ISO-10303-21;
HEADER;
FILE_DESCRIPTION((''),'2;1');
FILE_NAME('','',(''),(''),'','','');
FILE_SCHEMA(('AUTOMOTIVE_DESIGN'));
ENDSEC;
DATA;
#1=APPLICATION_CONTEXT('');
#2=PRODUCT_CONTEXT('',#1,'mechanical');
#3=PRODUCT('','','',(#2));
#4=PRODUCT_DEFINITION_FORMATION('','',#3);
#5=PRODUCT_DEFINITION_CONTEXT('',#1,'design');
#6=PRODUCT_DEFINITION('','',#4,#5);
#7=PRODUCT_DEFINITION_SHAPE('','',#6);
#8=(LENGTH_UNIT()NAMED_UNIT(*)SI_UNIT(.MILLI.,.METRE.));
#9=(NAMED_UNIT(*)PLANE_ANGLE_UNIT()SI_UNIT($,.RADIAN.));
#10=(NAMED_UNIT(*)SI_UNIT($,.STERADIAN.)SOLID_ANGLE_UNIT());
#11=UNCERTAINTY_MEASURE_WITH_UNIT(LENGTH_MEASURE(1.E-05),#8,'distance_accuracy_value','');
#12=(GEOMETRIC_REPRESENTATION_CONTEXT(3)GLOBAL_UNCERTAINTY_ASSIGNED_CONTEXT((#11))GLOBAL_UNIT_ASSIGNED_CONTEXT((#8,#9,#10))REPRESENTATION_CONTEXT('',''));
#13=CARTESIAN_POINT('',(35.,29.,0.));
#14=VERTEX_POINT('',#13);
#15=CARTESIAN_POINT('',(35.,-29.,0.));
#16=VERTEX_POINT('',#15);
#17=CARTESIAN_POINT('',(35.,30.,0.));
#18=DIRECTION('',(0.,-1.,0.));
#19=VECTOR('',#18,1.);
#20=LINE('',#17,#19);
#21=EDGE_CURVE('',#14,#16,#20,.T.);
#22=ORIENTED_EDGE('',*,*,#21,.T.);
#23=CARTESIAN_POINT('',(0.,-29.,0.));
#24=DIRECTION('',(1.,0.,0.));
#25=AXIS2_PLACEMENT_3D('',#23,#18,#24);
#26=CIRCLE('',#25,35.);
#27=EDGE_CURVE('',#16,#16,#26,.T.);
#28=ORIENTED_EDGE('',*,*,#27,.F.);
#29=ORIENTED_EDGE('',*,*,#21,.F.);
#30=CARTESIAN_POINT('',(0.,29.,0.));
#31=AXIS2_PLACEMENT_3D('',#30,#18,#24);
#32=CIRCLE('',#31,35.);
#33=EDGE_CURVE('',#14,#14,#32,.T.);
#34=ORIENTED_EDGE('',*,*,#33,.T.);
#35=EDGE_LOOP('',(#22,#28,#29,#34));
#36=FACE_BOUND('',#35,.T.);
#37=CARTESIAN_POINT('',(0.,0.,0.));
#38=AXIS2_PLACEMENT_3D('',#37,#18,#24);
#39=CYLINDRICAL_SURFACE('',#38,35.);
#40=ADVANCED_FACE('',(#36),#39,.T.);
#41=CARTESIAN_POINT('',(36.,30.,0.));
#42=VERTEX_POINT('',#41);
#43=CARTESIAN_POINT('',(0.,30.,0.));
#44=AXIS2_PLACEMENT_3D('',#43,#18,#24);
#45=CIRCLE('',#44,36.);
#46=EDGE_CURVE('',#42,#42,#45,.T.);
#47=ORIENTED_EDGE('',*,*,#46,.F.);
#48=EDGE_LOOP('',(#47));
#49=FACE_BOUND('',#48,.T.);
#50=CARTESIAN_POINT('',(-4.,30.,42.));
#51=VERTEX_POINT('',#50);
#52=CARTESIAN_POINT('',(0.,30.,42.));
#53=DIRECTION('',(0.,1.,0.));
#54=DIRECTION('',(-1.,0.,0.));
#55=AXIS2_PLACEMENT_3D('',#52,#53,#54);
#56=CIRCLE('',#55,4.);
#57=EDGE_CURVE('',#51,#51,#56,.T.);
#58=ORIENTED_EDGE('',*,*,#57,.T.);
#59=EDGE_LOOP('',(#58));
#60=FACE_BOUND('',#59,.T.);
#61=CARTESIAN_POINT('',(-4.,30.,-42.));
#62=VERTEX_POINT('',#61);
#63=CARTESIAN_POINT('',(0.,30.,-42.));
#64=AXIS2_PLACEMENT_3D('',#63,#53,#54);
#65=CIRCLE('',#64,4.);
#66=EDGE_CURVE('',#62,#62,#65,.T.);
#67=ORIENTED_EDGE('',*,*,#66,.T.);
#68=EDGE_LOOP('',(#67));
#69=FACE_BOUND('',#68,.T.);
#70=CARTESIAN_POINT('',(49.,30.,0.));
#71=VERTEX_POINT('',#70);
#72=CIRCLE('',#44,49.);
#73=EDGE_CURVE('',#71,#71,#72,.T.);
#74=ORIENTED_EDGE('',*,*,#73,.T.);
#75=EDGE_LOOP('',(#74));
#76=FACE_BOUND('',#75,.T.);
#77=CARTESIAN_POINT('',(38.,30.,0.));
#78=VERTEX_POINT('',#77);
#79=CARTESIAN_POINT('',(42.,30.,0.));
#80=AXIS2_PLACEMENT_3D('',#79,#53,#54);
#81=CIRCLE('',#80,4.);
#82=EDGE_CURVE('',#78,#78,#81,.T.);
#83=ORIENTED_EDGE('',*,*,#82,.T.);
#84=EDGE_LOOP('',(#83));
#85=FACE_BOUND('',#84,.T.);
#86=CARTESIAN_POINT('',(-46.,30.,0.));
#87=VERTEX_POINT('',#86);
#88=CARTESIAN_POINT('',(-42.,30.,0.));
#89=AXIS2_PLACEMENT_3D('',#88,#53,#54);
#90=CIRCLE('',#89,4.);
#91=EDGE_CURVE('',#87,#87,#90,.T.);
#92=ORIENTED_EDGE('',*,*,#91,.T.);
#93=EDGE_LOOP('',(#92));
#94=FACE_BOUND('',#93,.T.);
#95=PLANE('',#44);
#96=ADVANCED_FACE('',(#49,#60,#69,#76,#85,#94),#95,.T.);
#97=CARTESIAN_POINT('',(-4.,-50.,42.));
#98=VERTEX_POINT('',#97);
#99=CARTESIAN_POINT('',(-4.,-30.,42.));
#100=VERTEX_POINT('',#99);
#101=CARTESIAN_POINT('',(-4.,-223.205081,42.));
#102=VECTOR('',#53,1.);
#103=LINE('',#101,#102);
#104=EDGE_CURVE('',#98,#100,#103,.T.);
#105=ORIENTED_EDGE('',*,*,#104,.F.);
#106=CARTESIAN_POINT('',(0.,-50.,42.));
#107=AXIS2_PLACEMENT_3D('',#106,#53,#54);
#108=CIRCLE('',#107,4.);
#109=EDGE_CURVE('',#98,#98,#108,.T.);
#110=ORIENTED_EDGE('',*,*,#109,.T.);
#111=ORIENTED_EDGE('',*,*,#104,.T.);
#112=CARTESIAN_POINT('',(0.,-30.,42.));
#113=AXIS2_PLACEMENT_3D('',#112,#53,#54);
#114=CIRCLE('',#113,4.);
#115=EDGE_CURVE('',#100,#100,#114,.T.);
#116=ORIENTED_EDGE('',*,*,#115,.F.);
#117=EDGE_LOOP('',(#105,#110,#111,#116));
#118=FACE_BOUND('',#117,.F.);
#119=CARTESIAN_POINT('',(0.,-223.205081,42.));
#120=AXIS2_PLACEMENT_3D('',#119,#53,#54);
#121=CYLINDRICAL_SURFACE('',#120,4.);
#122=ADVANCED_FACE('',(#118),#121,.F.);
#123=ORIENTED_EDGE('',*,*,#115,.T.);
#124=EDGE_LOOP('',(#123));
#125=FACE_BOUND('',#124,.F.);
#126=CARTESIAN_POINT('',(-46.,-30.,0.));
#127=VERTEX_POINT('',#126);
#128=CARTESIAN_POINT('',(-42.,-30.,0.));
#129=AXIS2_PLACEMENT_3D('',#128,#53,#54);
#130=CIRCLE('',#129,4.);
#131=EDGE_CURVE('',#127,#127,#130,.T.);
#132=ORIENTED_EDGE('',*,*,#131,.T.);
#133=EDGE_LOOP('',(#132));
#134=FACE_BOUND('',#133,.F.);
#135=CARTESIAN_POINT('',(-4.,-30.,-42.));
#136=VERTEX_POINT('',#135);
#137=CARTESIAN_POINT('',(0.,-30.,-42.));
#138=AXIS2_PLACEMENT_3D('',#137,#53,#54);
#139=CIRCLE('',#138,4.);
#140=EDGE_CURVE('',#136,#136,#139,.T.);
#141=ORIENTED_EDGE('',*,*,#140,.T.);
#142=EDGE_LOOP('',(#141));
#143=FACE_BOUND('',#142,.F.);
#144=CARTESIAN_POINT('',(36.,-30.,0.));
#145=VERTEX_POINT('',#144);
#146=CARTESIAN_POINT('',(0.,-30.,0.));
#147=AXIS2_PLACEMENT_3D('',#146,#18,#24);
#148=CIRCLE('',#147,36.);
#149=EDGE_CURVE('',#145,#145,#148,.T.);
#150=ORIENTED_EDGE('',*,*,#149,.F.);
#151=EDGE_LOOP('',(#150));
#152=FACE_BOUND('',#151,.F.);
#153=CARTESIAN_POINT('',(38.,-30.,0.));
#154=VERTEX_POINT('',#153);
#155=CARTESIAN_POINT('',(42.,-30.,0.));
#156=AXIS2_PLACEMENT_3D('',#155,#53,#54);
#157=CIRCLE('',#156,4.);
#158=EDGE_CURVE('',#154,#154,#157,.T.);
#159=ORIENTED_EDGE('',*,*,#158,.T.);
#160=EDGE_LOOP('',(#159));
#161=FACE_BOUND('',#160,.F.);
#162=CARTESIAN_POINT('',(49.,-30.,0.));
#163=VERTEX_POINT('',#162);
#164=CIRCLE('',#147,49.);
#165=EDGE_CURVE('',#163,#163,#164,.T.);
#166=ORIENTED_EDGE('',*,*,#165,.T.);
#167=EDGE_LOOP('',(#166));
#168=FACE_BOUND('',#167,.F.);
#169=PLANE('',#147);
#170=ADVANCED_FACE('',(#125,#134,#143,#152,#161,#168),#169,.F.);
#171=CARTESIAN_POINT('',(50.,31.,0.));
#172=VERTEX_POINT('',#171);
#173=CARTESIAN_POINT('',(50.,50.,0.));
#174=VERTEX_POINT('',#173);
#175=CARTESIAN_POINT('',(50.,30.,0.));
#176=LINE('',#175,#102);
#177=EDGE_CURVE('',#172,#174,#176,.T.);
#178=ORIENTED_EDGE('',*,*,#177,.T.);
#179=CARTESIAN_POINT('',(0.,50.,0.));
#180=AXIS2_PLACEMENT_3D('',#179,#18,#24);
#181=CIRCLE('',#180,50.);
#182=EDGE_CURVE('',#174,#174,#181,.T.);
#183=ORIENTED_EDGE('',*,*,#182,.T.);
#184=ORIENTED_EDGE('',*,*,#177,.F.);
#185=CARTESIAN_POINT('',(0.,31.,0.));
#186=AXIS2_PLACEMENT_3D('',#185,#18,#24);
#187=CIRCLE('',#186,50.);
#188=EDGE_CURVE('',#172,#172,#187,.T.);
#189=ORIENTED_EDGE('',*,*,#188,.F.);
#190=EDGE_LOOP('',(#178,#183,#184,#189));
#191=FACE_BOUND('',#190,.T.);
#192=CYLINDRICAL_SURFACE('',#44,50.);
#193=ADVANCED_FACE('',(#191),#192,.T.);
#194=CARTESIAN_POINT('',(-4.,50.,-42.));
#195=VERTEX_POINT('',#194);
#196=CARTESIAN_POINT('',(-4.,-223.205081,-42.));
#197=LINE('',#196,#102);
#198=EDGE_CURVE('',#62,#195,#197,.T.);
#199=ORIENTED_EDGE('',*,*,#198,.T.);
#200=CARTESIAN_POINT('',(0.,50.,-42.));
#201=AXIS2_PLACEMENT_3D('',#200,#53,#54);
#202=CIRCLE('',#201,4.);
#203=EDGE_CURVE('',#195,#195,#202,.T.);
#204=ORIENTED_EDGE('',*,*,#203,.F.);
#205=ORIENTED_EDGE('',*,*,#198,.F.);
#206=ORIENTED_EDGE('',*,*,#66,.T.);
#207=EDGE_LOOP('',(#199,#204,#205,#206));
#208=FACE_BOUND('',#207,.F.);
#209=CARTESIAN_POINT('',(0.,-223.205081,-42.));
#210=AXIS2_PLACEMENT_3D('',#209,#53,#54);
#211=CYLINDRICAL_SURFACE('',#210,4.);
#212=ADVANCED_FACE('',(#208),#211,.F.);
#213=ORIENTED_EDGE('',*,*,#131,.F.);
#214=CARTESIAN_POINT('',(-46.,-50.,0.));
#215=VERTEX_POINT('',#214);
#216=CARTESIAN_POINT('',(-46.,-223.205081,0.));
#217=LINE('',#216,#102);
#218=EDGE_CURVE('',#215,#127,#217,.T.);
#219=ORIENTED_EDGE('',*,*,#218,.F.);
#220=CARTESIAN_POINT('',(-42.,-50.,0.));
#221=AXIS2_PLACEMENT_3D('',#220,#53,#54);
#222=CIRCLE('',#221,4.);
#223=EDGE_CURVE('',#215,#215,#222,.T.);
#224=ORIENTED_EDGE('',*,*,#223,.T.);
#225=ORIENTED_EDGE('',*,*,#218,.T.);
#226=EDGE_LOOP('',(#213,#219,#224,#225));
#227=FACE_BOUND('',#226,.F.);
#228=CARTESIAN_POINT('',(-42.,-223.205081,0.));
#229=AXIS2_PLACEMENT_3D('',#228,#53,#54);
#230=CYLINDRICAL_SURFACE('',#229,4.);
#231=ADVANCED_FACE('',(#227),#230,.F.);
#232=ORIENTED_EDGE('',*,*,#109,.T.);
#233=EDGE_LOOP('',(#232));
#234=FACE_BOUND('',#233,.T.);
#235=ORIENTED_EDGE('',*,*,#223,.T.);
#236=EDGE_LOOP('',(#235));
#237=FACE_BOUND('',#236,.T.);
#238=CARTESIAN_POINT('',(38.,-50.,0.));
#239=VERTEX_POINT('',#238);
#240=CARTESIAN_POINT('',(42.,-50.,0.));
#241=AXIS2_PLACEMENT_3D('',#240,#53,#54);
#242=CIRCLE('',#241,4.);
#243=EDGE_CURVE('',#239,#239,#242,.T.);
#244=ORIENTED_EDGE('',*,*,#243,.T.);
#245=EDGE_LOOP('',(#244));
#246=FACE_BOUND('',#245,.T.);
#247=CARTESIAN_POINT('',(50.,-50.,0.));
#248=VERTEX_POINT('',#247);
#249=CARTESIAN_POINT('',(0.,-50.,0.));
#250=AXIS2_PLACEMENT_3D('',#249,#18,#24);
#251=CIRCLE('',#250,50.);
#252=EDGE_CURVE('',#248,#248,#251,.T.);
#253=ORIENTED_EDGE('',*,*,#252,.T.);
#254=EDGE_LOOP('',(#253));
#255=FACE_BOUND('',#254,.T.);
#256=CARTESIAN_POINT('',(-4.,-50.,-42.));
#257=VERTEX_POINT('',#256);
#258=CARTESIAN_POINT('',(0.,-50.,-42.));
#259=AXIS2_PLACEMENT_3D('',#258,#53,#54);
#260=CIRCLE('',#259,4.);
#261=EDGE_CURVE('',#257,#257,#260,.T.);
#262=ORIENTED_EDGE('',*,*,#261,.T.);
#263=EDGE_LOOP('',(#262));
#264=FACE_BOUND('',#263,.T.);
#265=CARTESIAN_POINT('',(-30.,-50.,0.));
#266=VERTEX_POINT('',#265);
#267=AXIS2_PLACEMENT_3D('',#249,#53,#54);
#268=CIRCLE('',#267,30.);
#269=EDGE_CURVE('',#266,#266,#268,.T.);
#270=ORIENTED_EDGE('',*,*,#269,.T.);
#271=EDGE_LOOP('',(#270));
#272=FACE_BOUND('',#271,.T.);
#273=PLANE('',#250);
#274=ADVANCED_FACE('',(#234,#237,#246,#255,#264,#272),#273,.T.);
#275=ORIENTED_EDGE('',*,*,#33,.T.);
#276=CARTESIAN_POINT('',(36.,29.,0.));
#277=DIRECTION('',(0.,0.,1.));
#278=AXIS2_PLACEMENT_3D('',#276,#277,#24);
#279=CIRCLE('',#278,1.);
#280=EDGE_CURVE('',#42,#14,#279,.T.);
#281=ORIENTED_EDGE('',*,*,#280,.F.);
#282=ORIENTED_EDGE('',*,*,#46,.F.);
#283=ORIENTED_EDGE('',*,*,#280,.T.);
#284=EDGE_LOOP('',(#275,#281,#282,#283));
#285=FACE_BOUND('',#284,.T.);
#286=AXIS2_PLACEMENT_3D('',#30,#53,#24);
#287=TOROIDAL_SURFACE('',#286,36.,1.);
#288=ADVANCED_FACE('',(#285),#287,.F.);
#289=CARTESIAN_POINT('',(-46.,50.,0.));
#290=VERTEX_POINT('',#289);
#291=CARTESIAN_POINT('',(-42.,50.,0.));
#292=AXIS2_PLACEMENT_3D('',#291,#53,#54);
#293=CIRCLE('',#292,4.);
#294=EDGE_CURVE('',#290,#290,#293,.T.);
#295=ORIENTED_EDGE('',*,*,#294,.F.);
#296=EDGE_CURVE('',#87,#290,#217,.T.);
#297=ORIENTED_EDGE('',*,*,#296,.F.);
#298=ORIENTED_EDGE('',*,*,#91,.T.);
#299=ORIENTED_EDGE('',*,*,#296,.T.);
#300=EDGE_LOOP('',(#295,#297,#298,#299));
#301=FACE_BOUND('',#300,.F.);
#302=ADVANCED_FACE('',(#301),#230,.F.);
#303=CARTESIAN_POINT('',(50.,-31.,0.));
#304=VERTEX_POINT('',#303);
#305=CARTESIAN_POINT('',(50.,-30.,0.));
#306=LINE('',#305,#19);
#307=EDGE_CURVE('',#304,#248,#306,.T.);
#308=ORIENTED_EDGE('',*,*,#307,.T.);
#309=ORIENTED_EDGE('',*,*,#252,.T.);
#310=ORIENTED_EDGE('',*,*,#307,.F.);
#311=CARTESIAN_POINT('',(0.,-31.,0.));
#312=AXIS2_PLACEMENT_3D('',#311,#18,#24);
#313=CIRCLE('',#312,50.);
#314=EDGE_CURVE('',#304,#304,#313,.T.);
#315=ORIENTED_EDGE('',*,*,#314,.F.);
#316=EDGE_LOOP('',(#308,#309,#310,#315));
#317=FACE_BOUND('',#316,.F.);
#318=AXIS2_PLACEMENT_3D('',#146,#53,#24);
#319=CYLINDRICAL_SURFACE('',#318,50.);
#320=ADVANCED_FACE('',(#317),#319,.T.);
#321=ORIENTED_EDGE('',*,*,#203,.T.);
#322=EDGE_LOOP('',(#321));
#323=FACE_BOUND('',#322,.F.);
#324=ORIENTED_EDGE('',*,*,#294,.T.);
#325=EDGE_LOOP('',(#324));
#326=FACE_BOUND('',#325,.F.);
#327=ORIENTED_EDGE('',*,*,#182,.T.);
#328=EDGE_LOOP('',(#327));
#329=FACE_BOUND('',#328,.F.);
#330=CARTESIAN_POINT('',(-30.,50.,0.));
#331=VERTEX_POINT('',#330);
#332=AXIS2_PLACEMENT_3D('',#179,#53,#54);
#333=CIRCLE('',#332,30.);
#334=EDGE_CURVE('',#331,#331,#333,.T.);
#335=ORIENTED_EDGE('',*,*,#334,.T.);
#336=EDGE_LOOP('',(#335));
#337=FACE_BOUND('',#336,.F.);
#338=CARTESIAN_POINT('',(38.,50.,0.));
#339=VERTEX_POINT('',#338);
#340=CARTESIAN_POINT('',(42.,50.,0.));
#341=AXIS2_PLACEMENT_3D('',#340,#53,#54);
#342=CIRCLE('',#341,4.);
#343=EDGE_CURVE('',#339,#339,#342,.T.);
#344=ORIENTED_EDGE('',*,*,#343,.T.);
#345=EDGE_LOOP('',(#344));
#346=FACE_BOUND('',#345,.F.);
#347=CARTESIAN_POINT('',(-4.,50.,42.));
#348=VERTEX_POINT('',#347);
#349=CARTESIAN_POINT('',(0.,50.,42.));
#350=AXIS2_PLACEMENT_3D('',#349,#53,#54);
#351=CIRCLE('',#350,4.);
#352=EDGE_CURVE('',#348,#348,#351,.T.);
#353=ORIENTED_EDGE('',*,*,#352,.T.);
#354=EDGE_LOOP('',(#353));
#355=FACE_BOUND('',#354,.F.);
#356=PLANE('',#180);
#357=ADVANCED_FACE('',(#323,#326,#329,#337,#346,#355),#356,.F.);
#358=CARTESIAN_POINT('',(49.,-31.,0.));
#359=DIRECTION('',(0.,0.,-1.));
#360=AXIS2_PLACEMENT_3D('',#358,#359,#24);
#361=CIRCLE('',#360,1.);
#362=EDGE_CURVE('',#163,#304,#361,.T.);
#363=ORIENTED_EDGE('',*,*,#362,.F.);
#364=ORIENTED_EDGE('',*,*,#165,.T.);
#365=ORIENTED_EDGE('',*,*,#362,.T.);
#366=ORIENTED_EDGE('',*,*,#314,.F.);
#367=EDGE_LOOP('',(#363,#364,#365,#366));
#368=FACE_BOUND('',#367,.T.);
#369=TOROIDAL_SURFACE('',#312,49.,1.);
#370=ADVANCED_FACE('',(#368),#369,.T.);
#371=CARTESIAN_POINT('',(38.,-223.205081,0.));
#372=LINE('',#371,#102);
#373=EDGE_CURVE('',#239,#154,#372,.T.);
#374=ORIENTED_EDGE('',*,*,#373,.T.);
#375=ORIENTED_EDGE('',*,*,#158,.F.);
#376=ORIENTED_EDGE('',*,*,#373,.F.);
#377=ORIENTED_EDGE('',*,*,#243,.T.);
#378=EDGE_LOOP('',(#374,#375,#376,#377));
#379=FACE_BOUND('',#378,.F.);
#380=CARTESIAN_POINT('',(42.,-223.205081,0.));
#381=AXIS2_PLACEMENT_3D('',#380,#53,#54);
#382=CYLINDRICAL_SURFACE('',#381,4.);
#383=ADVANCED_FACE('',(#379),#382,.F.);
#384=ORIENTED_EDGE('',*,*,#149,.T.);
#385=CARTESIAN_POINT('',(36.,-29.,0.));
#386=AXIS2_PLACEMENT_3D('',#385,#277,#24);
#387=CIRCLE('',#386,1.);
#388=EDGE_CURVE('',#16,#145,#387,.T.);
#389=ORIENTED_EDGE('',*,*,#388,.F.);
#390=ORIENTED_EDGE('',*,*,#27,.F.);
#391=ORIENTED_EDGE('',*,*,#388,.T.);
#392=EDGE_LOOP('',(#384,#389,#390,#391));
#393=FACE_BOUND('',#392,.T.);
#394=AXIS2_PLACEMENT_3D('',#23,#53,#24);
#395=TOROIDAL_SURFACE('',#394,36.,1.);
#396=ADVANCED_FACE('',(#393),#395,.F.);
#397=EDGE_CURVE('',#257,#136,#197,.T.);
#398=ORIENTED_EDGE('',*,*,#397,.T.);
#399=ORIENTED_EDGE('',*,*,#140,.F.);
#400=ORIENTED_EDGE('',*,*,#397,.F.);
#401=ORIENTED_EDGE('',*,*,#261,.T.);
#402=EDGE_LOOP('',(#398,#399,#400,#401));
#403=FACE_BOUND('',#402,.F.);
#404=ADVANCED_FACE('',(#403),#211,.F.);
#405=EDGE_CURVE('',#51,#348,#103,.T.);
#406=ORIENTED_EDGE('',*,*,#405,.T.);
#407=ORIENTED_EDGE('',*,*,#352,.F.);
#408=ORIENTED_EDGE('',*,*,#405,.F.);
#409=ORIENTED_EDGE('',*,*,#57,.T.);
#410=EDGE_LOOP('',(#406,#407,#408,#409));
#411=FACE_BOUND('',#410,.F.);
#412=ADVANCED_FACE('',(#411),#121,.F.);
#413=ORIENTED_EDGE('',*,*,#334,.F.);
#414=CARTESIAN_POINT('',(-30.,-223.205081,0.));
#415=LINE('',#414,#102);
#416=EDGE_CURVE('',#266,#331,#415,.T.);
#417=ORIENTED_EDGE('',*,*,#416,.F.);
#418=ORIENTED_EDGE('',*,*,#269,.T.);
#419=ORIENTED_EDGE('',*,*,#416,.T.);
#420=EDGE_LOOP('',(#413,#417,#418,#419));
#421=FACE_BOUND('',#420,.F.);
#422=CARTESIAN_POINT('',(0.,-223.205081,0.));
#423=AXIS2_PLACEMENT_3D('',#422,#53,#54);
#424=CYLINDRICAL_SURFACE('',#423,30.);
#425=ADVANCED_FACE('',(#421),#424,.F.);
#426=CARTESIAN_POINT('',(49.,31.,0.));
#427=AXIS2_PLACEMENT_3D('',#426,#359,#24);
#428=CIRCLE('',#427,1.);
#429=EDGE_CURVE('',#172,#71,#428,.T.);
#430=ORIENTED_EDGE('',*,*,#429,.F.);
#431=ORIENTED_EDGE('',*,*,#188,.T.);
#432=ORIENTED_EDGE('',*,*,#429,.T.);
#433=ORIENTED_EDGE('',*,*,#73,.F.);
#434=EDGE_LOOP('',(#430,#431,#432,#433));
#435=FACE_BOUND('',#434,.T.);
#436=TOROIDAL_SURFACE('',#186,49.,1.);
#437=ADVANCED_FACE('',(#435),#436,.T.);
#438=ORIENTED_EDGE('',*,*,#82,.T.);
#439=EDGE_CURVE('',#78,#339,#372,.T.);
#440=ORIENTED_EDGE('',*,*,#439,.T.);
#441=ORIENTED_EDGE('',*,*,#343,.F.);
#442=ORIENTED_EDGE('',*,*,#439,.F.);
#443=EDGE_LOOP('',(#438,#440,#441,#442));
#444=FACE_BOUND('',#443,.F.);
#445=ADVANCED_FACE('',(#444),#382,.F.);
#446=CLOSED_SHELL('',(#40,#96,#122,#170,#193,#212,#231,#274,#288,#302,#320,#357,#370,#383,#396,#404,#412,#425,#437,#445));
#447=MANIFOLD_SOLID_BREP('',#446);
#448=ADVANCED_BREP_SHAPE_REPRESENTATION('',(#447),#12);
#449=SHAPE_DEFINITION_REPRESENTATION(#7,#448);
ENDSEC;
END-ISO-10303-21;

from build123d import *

# Parameters (mm, degrees)
F0_R     = 35
F1_DEPTH = 30
F3_R     = 50
F4_DEPTH = 20
F6_R     = 50
F7_DEPTH = 20
F9_D     = 60
F11_D    = 8
F12_R    = 1


with BuildPart() as f1:
    # F0 (on Front) → F1 (new body, symmetric)
    with BuildSketch(Plane.XZ):
        Circle(F0_R)
    extrude(amount=F1_DEPTH, both=True)

    # F3 (on offset) → F4 (join)
    with BuildSketch(Plane.XZ.offset(30)):
        Circle(F3_R)
    extrude(amount=F4_DEPTH)

    # F6 (on offset) → F7 (join)
    with BuildSketch(Plane.XZ.offset(-30)):
        Circle(F6_R)
    extrude(amount=-F7_DEPTH)

    # F9 (through all)
    with Locations(Plane.XZ.offset(50)):
        with Locations((0, 0)):
            Hole(F9_D / 2)

    # F11 (through all)
    with Locations(Plane.XZ.offset(50)):
        with Locations((0, 42), (-42, 0), (0, -42), (42, 0)):
            Hole(F11_D / 2)

    # F12
    f12_edges = [f1.edges().sort_by_distance(p)[0] for p in [
        (-35, -30, 0),
        (-35, 30, 0),
        (-50, 30, 0),
        (-50, -30, 0),
    ]]
    fillet(f12_edges, radius=F12_R)


solid = f1.part
